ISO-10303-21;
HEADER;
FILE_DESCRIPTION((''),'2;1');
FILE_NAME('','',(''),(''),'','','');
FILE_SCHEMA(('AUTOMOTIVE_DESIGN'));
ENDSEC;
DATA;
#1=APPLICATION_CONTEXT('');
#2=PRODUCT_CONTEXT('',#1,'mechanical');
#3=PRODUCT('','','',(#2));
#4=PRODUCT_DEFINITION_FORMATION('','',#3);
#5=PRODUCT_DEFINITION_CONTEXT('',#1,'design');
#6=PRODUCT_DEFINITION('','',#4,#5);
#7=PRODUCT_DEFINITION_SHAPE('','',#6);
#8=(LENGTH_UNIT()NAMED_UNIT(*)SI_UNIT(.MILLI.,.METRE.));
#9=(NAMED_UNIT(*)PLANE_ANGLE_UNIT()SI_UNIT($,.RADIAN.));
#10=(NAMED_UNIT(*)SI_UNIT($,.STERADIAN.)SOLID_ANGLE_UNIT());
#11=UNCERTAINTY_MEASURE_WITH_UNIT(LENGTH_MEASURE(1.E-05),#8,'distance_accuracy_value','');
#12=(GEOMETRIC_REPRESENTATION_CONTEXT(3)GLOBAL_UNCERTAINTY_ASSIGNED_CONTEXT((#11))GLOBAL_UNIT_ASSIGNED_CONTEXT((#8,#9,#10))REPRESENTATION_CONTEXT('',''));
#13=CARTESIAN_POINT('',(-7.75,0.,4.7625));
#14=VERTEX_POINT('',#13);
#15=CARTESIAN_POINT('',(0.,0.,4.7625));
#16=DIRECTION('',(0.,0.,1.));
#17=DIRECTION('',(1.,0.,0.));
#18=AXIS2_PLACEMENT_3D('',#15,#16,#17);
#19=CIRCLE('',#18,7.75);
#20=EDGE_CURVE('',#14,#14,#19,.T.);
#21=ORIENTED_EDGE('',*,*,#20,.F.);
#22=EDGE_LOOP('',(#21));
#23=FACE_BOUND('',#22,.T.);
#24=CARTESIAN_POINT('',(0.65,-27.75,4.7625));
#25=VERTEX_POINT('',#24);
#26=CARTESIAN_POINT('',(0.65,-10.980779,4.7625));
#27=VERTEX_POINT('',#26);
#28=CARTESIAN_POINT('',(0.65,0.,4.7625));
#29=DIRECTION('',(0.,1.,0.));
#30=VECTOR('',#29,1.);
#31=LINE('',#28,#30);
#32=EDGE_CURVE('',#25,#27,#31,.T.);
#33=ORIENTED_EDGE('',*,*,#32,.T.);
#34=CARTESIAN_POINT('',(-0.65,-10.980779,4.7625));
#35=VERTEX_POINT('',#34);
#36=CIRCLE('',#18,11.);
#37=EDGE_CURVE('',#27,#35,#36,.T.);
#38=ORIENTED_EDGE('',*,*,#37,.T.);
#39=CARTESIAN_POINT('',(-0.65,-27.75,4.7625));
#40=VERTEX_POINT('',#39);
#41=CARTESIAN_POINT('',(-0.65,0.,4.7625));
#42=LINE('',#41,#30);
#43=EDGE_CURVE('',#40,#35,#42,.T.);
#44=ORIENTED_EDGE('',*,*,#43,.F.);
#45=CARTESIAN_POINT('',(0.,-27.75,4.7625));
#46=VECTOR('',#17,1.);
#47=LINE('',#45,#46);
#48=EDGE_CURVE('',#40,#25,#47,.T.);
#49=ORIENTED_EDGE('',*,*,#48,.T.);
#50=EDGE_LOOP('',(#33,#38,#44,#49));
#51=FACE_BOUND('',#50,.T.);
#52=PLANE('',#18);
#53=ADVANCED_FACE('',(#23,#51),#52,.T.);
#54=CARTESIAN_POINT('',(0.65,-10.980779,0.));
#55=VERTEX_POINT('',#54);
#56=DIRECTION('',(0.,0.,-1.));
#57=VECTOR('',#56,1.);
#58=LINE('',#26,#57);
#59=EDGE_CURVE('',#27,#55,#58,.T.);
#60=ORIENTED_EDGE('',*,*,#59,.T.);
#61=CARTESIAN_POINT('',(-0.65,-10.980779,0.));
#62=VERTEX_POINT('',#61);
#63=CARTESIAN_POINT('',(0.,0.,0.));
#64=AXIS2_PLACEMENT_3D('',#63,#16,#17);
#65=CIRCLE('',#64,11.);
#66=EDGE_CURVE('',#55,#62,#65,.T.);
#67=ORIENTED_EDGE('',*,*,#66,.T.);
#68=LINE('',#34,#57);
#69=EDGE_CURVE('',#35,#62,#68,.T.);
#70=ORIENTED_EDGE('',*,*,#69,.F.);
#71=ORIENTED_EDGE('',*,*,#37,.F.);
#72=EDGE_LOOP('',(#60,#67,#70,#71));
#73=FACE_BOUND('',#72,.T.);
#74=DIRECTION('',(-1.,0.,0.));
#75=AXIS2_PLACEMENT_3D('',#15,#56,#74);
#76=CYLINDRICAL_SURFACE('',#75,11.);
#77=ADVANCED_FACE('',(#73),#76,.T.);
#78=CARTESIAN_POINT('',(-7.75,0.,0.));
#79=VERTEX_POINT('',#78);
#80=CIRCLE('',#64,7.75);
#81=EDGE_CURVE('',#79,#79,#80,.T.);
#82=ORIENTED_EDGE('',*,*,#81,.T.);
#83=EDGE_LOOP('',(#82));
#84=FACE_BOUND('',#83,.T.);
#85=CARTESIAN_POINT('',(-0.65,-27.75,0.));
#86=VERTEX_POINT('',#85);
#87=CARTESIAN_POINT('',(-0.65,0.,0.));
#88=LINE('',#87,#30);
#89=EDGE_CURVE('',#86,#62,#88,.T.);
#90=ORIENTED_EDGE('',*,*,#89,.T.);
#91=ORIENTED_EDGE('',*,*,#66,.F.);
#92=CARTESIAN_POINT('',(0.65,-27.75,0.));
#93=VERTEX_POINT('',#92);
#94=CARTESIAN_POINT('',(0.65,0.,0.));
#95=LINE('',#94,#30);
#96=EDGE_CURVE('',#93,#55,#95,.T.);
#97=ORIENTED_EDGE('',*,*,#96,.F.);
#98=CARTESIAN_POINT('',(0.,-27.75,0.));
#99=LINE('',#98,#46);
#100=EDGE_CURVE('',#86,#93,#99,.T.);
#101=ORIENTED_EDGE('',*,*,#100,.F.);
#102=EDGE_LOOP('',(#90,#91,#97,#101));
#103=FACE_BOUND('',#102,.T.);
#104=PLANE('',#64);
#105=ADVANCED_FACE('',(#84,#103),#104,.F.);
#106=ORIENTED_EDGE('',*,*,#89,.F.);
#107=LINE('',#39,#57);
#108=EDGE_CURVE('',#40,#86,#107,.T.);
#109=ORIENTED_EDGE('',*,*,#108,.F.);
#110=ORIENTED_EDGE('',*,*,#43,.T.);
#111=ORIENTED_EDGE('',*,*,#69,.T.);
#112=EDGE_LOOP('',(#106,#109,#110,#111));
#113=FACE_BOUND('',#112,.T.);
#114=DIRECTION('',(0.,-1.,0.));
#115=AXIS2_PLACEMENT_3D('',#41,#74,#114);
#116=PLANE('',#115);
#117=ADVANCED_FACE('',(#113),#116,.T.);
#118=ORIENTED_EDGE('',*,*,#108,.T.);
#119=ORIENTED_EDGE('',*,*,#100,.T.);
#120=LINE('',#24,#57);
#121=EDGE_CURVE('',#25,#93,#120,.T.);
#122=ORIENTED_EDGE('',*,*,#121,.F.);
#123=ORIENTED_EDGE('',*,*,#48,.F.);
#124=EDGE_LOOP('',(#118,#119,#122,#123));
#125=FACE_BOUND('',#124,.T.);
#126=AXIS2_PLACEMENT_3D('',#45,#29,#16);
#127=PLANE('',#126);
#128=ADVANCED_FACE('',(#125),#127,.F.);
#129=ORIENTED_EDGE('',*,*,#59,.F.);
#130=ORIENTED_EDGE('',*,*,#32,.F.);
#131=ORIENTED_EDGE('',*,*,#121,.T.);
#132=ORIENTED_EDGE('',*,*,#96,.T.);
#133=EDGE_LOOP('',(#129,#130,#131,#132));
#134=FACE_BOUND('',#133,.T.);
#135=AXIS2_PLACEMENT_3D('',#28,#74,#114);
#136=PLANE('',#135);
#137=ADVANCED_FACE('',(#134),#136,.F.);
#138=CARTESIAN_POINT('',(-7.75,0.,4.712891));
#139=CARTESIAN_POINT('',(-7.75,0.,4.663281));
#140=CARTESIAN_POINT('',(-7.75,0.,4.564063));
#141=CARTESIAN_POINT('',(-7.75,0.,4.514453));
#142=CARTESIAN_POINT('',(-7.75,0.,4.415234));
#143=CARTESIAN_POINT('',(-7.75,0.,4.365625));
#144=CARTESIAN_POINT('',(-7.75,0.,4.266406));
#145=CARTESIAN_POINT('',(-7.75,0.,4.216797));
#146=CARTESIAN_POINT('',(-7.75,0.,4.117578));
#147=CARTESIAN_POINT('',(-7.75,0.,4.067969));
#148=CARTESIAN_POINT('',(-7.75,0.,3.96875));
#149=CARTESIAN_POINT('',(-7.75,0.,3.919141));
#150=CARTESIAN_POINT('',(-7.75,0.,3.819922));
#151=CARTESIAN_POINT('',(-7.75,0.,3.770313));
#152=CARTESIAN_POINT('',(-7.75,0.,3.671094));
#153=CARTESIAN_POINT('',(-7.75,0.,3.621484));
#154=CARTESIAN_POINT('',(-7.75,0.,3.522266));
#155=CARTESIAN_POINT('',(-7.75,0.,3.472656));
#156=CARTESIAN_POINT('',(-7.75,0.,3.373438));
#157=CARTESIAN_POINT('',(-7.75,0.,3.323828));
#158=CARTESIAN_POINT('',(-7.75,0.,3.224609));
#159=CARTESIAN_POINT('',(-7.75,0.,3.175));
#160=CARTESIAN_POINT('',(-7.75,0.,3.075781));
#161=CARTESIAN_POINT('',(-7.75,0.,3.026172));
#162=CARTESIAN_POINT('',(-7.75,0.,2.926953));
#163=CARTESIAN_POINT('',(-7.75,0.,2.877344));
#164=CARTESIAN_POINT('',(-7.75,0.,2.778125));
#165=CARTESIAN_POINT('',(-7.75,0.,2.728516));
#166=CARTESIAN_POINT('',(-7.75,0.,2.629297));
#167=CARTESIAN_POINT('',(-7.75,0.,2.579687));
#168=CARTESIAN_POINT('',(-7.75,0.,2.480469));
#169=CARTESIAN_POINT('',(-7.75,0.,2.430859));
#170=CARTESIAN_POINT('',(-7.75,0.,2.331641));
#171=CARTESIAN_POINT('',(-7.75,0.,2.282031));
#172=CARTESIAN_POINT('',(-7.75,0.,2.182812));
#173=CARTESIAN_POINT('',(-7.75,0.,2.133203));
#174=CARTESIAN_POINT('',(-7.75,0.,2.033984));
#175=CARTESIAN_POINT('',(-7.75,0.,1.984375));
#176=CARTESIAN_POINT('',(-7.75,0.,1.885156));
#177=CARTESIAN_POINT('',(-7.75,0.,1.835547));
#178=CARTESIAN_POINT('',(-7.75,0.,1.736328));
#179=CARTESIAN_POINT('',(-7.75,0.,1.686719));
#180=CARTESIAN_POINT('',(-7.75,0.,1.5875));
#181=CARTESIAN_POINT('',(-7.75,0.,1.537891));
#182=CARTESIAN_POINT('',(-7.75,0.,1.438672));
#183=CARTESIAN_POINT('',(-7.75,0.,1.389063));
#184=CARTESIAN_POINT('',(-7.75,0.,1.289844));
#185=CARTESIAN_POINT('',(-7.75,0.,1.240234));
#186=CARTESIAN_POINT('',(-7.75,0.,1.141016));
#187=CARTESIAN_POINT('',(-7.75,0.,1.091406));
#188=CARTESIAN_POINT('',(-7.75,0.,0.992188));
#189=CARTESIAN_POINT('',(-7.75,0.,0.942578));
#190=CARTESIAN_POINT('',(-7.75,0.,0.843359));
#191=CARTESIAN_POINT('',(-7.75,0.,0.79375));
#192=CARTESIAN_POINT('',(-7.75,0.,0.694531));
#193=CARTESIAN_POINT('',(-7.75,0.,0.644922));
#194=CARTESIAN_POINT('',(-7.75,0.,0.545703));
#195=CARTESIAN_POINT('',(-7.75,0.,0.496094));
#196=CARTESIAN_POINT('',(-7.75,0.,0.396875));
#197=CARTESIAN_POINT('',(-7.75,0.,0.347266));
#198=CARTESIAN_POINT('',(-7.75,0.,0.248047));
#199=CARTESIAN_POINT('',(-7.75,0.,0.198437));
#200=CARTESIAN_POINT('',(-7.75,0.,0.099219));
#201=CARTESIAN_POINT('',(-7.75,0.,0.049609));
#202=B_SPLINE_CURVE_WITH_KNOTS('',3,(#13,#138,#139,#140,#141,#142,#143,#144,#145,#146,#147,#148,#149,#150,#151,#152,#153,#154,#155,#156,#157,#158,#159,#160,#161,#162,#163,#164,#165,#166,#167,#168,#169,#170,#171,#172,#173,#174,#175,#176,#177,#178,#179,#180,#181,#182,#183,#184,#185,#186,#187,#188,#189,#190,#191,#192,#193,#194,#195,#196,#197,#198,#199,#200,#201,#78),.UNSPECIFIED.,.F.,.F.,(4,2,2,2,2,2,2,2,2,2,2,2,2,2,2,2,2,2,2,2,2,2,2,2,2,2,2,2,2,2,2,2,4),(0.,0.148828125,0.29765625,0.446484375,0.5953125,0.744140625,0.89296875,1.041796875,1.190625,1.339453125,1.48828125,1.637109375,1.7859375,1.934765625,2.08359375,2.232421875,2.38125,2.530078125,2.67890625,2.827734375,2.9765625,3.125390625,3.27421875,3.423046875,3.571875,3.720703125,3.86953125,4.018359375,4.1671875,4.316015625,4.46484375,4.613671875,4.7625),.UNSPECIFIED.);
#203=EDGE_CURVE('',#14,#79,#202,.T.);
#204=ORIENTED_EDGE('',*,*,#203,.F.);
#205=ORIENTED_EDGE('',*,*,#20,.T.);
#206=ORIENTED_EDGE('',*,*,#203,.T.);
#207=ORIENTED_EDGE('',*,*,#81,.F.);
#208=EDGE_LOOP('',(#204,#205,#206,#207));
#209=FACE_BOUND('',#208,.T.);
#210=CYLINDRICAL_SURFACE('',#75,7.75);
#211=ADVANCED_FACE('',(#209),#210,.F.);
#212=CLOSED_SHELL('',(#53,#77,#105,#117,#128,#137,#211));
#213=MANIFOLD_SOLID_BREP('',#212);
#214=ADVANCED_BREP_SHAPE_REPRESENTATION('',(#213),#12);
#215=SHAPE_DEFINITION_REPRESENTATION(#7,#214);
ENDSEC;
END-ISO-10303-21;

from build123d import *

# Parameters (mm, degrees)
BOSS_EXTRUDE1_DEPTH = 4.7625


with BuildPart() as part:
    # Sketch1 → Boss-Extrude1 (new body)
    # profile 1 of 5: a face of its own
    with BuildSketch(Plane.XY):
        with BuildLine():
            Line((-0.65, -7.75), (0, -7.75))
            Line((0, -7.75), (0.65, -7.75))
            Line((0.65, -7.75), (0.65, -10.980778661))
            ThreePointArc((0.65, -10.980778661), (8.004686128, -7.544865804), (11, 0))
            ThreePointArc((11, 0), (-7.544865804, 8.004686128), (-0.65, -10.980778661))
            Line((-0.65, -10.980778661), (-0.65, -7.75))
        make_face()
        with BuildLine():
            ThreePointArc((7.75, 0), (5.480077554, -5.480077554), (0, -7.75))
            ThreePointArc((0, -7.75), (-5.480077554, 5.480077554), (7.75, 0))
        make_face(mode=Mode.SUBTRACT)
    # profile 2 of 5: a face of its own
    with BuildSketch(Plane.XY):
        with BuildLine():
            Line((0.65, -7.75), (0, -7.75))
            Line((0, -7.75), (0, -11))
            ThreePointArc((0, -11), (0.325142069, -10.995193615), (0.65, -10.980778661))
            Line((0.65, -10.980778661), (0.65, -7.75))
        make_face()
    # profile 3 of 5: a face of its own
    with BuildSketch(Plane.XY):
        with BuildLine():
            Line((0, -11), (0, -7.75))
            Line((0, -7.75), (-0.65, -7.75))
            Line((-0.65, -7.75), (-0.65, -10.980778661))
            ThreePointArc((-0.65, -10.980778661), (-0.325142069, -10.995193615), (0, -11))
        make_face()
    # profile 4 of 5: a face of its own
    with BuildSketch(Plane.XY):
        with BuildLine():
            Line((0, -27.75), (0, -11))
            ThreePointArc((0, -11), (-0.325142069, -10.995193615), (-0.65, -10.980778661))
            Line((-0.65, -10.980778661), (-0.65, -27.75))
            Line((-0.65, -27.75), (0, -27.75))
        make_face()
    # profile 5 of 5: a face of its own
    with BuildSketch(Plane.XY):
        with BuildLine():
            ThreePointArc((0.65, -10.980778661), (0.325142069, -10.995193615), (0, -11))
            Line((0, -11), (0, -27.75))
            Line((0, -27.75), (0.65, -27.75))
            Line((0.65, -27.75), (0.65, -10.980778661))
        make_face()
    extrude(amount=BOSS_EXTRUDE1_DEPTH)


solid = part.part
